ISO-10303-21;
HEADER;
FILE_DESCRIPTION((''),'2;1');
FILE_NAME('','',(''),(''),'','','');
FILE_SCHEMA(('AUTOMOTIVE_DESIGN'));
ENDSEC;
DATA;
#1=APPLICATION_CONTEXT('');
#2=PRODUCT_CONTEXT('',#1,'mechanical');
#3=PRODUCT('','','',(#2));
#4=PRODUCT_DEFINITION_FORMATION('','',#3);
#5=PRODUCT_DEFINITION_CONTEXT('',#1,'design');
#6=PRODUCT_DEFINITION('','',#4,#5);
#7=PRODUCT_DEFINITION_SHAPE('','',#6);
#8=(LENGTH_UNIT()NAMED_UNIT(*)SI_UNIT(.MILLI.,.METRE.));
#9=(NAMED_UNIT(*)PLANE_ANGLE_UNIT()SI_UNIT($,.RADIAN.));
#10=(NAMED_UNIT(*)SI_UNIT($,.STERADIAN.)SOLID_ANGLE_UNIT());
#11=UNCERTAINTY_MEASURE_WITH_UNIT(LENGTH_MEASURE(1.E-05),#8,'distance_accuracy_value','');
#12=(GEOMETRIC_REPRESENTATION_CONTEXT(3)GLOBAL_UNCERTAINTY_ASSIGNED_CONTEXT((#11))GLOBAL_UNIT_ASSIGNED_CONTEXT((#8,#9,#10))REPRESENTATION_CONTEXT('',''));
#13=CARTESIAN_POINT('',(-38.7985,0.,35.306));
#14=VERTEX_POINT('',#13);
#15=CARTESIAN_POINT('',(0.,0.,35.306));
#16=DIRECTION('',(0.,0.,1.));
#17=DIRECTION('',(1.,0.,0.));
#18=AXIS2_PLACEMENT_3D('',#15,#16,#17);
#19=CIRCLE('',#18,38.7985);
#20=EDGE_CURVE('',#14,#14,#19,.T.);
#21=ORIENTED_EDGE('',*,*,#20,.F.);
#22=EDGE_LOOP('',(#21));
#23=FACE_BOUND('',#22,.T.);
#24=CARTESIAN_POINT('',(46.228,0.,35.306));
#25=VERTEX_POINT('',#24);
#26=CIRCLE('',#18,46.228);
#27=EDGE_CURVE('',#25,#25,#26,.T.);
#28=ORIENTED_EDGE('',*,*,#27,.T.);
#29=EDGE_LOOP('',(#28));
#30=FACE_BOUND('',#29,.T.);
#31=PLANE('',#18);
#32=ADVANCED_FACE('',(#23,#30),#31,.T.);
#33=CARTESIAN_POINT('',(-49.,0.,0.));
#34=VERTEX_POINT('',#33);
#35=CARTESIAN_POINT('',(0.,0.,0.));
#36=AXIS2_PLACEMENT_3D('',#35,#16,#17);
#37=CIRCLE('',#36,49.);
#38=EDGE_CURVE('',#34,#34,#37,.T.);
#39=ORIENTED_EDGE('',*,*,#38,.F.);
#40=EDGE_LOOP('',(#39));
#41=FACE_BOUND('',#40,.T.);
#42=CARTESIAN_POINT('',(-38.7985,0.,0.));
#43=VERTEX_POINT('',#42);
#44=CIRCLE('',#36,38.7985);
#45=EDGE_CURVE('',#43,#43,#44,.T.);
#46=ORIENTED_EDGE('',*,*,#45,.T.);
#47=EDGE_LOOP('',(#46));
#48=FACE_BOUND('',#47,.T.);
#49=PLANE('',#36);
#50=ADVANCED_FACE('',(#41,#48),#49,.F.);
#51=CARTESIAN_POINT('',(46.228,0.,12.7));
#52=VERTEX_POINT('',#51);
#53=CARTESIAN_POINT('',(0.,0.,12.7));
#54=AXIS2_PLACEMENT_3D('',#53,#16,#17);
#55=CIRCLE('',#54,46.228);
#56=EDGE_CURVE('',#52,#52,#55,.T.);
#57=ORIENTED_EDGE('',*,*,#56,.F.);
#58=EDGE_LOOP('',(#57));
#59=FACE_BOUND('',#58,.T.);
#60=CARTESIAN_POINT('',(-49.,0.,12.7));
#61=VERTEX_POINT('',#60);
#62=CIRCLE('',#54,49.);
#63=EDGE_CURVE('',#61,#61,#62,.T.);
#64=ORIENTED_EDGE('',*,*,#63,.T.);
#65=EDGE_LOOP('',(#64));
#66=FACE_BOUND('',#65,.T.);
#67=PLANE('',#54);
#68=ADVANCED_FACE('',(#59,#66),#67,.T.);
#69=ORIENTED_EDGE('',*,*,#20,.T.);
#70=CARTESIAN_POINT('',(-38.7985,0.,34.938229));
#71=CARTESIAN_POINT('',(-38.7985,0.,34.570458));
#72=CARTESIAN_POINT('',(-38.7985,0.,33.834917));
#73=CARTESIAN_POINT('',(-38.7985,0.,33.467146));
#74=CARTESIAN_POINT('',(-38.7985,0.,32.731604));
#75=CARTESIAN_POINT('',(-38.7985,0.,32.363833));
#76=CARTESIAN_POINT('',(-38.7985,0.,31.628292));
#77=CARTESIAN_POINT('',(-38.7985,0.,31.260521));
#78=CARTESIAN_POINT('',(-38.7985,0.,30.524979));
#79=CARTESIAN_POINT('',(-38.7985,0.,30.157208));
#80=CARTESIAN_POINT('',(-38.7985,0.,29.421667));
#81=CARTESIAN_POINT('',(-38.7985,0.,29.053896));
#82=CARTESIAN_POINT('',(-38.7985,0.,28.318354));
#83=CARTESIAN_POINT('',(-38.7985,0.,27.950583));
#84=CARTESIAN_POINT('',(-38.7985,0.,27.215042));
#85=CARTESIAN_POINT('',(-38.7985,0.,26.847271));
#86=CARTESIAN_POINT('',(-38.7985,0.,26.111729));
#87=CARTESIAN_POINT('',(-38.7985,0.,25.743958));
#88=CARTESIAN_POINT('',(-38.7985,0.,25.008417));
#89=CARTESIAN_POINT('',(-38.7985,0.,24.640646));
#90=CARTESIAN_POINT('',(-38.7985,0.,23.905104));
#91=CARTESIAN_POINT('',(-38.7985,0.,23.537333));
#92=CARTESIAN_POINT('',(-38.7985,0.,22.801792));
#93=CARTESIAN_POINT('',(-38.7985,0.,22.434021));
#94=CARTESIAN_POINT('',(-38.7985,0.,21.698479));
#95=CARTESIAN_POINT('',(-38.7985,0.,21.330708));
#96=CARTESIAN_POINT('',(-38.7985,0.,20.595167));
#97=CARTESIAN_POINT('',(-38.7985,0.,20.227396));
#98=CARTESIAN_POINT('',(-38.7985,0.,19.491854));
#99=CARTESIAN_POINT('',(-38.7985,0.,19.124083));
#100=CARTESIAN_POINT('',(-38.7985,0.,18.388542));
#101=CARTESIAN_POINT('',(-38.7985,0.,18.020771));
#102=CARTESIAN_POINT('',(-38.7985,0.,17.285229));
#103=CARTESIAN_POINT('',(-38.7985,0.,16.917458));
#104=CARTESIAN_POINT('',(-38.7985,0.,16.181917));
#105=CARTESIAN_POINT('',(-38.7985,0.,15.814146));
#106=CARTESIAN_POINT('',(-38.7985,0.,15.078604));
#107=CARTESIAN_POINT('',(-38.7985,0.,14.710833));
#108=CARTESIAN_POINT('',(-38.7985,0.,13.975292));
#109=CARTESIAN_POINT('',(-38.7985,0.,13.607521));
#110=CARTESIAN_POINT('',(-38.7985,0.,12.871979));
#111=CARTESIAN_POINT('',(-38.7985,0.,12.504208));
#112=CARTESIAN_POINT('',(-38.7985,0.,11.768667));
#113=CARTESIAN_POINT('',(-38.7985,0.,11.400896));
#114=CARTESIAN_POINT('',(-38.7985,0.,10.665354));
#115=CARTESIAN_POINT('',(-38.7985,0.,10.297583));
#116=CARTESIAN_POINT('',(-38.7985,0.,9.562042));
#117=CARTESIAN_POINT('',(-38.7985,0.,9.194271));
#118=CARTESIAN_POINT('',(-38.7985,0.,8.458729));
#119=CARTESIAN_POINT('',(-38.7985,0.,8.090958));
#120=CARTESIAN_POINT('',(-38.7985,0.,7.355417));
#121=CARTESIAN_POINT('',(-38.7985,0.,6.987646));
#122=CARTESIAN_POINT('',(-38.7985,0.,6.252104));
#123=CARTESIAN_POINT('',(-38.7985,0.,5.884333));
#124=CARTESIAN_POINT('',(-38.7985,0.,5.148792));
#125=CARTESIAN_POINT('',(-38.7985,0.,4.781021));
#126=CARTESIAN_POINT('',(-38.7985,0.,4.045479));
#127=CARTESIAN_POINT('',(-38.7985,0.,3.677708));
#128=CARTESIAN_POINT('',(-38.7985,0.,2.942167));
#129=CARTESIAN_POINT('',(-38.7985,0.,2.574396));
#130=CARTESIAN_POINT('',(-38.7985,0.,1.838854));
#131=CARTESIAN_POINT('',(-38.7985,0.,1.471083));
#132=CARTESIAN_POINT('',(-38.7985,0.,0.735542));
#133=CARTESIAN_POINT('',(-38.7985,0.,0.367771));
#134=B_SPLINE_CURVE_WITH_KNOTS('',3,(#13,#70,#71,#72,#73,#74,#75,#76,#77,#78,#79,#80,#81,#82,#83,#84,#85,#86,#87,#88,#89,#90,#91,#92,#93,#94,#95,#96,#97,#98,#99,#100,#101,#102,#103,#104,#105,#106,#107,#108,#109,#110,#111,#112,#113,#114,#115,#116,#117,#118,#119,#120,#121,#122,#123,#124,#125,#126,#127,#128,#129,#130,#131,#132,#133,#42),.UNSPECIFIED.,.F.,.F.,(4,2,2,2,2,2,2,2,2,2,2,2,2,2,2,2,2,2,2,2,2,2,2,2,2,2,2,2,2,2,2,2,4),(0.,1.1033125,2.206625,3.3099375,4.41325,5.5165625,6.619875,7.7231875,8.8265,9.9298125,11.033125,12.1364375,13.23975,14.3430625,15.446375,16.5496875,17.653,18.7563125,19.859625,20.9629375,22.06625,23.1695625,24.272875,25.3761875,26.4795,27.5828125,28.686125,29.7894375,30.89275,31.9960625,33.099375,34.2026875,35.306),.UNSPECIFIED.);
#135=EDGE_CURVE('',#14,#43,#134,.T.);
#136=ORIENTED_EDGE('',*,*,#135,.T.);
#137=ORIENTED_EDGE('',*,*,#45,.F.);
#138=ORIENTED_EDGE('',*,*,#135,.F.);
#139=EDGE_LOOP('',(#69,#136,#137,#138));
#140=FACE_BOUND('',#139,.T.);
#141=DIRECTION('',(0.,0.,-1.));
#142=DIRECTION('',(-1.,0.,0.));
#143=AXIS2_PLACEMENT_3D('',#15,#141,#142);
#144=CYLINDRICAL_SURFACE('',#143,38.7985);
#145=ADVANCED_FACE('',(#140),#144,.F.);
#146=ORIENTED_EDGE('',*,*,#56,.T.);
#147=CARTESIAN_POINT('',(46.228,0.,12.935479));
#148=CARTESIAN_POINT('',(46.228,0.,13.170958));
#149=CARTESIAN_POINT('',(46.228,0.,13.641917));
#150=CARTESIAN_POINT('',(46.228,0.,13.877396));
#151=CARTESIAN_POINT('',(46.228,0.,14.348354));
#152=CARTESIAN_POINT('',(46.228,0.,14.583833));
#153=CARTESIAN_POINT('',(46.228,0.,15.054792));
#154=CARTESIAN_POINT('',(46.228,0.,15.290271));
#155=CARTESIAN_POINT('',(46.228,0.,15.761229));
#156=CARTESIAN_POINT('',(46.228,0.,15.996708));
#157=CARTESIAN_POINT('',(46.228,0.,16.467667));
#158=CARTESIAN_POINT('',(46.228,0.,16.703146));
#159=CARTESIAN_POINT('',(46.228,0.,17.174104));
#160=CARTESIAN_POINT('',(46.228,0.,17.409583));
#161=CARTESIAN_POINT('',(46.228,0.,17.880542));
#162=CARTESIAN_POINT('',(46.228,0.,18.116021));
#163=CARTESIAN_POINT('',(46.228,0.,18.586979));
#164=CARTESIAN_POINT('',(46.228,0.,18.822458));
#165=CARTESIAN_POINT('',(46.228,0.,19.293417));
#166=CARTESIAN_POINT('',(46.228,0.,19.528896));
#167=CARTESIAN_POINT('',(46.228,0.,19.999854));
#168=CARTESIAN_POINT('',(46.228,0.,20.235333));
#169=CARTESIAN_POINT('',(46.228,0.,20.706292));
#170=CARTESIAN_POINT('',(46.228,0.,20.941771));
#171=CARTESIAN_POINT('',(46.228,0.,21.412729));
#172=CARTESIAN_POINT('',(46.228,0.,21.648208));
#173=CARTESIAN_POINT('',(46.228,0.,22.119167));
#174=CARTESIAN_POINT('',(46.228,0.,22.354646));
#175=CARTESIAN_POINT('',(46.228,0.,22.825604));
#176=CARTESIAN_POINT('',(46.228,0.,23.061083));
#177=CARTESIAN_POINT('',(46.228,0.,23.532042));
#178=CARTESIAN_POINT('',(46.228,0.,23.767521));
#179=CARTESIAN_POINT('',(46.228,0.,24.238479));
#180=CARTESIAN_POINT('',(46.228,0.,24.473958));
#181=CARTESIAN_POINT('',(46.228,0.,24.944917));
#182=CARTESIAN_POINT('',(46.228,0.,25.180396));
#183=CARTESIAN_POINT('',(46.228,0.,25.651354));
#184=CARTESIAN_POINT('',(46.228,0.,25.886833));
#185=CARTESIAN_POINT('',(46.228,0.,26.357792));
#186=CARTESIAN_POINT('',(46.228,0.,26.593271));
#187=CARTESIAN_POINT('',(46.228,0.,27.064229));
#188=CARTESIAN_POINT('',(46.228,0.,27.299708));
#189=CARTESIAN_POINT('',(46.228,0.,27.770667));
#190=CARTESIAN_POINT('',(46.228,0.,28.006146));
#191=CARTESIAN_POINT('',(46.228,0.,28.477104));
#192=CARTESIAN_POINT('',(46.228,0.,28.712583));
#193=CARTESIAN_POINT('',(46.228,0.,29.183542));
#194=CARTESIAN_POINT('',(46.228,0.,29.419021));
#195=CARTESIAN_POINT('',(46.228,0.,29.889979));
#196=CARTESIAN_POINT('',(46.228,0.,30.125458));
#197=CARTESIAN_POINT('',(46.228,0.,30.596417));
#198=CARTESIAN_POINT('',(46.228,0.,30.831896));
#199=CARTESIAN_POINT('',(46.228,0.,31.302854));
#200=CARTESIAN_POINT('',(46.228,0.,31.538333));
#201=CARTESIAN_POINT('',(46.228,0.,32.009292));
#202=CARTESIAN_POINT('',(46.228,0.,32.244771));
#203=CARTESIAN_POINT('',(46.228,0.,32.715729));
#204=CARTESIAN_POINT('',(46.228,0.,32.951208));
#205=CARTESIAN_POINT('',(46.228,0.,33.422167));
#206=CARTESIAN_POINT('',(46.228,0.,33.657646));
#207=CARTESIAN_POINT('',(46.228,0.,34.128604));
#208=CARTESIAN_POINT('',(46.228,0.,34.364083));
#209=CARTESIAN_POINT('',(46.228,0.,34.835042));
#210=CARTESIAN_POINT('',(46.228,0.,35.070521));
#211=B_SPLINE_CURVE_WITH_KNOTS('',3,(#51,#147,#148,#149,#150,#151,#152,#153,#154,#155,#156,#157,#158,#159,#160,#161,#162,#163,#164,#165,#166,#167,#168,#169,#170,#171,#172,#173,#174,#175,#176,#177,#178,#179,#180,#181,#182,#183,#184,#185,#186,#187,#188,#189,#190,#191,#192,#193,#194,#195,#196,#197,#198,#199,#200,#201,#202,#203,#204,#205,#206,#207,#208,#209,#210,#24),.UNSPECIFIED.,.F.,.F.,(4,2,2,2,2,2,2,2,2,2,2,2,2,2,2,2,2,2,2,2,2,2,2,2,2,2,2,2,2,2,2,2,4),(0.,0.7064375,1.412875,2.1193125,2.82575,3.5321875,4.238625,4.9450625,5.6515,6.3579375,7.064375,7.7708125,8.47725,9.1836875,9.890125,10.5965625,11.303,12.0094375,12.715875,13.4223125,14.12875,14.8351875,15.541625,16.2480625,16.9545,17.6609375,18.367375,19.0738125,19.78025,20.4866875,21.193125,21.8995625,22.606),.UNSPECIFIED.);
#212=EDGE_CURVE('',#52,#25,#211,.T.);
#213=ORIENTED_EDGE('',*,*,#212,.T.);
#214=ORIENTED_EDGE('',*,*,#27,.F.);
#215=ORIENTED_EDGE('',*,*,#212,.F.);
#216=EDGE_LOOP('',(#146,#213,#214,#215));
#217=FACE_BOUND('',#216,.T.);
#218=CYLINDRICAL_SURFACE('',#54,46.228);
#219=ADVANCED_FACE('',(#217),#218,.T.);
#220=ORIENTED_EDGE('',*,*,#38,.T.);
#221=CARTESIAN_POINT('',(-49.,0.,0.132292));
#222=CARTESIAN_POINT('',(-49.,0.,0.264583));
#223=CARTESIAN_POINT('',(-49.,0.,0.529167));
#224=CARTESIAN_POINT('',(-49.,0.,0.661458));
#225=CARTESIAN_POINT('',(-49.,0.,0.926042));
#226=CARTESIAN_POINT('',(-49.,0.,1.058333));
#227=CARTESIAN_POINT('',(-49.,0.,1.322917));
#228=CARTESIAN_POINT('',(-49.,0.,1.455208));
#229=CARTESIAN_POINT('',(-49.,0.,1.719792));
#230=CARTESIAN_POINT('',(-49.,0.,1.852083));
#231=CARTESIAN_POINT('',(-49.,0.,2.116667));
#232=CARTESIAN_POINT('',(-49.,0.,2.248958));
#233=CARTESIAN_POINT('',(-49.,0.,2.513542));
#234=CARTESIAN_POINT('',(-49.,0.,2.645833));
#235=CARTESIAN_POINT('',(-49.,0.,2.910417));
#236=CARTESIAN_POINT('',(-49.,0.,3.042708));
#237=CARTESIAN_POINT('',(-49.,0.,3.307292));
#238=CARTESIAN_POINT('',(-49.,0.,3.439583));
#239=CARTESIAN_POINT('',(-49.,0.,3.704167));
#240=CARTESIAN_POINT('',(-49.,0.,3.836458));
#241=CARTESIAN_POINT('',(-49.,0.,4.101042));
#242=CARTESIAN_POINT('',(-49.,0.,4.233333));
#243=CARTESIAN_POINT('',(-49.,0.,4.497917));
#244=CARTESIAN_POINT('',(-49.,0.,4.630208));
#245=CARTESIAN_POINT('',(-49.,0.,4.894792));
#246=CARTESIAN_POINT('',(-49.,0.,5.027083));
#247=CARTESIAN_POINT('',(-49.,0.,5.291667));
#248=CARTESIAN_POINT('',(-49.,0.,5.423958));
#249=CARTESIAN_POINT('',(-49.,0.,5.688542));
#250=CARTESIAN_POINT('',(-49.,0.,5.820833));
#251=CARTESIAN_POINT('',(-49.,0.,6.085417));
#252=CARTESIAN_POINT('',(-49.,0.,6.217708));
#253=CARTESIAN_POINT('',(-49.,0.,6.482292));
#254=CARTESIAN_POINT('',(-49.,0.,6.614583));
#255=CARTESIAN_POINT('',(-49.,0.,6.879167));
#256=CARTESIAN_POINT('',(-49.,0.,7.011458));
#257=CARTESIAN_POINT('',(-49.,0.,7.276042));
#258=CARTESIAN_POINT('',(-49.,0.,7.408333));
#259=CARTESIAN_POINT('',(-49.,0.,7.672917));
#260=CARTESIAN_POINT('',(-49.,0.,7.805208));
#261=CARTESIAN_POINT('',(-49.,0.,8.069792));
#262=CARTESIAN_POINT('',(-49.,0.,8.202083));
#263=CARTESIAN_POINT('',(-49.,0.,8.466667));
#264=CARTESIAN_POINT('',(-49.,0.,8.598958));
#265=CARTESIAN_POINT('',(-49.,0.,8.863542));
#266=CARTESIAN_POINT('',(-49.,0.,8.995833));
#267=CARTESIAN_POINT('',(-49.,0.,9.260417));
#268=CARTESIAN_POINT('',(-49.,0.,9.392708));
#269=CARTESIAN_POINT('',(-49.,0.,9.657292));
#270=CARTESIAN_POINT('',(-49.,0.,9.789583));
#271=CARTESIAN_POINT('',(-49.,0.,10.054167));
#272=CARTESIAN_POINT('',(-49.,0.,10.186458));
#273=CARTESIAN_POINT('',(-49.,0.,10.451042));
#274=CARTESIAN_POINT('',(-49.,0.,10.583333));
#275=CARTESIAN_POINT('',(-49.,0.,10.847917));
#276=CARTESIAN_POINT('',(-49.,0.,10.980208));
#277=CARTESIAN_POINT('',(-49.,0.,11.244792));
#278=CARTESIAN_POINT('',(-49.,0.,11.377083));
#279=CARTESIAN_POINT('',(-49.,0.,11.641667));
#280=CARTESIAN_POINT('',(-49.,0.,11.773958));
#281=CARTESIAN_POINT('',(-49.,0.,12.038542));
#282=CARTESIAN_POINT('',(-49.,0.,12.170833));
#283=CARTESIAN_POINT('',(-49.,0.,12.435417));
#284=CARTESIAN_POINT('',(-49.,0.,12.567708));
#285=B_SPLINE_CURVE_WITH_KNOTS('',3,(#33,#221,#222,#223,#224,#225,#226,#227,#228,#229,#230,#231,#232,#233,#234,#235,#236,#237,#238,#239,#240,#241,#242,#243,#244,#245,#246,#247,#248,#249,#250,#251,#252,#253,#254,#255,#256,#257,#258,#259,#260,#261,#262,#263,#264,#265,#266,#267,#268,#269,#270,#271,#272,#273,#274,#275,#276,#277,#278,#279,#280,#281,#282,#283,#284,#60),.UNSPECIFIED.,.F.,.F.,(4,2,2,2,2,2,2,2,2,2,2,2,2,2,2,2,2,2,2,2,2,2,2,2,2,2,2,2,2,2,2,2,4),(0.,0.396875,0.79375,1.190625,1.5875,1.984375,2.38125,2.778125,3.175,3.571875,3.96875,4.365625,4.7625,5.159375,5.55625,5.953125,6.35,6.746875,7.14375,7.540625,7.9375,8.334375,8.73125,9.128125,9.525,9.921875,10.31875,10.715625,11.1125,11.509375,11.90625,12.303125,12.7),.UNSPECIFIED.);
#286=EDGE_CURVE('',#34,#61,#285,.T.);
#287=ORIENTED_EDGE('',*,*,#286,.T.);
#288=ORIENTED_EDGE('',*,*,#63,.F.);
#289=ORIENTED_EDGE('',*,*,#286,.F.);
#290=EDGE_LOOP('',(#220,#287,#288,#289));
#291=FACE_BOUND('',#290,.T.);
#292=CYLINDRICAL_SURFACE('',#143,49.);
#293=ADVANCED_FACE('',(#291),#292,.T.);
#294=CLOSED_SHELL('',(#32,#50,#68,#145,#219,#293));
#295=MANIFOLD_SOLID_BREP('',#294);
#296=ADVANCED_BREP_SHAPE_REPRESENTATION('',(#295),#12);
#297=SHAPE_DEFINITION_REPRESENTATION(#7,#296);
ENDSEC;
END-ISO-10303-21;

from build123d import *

# Parameters (mm, degrees)
SKETCH1_R         = 49
SKETCH1_R_2       = 38.7985
EXTRUDE1_DEPTH    = 35.306
SKETCH2_OUTSIDE_W = 128.604
SKETCH2_OUTSIDE_H = 128.604
SKETCH2_OUTSIDE_R = 46.228
EXTRUDE2_DEPTH    = 22.606


with BuildPart() as part:
    # Sketch1 → Extrude1 (new body)
    with BuildSketch(Plane.XY):
        with Locations(Location((0, 0, 0), (0, 0, 180))):
            Circle(SKETCH1_R)
        with Locations(Location((0, 0, 0), (0, 0, 180))):
            Circle(SKETCH1_R_2, mode=Mode.SUBTRACT)
    extrude(amount=EXTRUDE1_DEPTH)

    # Sketch2 outside → Extrude2 (cut)
    with BuildSketch(Plane.XY.offset(35.306)):
        Rectangle(SKETCH2_OUTSIDE_W, SKETCH2_OUTSIDE_H)
        Circle(SKETCH2_OUTSIDE_R, mode=Mode.SUBTRACT)
    extrude(amount=-EXTRUDE2_DEPTH, mode=Mode.SUBTRACT)


solid = part.part
